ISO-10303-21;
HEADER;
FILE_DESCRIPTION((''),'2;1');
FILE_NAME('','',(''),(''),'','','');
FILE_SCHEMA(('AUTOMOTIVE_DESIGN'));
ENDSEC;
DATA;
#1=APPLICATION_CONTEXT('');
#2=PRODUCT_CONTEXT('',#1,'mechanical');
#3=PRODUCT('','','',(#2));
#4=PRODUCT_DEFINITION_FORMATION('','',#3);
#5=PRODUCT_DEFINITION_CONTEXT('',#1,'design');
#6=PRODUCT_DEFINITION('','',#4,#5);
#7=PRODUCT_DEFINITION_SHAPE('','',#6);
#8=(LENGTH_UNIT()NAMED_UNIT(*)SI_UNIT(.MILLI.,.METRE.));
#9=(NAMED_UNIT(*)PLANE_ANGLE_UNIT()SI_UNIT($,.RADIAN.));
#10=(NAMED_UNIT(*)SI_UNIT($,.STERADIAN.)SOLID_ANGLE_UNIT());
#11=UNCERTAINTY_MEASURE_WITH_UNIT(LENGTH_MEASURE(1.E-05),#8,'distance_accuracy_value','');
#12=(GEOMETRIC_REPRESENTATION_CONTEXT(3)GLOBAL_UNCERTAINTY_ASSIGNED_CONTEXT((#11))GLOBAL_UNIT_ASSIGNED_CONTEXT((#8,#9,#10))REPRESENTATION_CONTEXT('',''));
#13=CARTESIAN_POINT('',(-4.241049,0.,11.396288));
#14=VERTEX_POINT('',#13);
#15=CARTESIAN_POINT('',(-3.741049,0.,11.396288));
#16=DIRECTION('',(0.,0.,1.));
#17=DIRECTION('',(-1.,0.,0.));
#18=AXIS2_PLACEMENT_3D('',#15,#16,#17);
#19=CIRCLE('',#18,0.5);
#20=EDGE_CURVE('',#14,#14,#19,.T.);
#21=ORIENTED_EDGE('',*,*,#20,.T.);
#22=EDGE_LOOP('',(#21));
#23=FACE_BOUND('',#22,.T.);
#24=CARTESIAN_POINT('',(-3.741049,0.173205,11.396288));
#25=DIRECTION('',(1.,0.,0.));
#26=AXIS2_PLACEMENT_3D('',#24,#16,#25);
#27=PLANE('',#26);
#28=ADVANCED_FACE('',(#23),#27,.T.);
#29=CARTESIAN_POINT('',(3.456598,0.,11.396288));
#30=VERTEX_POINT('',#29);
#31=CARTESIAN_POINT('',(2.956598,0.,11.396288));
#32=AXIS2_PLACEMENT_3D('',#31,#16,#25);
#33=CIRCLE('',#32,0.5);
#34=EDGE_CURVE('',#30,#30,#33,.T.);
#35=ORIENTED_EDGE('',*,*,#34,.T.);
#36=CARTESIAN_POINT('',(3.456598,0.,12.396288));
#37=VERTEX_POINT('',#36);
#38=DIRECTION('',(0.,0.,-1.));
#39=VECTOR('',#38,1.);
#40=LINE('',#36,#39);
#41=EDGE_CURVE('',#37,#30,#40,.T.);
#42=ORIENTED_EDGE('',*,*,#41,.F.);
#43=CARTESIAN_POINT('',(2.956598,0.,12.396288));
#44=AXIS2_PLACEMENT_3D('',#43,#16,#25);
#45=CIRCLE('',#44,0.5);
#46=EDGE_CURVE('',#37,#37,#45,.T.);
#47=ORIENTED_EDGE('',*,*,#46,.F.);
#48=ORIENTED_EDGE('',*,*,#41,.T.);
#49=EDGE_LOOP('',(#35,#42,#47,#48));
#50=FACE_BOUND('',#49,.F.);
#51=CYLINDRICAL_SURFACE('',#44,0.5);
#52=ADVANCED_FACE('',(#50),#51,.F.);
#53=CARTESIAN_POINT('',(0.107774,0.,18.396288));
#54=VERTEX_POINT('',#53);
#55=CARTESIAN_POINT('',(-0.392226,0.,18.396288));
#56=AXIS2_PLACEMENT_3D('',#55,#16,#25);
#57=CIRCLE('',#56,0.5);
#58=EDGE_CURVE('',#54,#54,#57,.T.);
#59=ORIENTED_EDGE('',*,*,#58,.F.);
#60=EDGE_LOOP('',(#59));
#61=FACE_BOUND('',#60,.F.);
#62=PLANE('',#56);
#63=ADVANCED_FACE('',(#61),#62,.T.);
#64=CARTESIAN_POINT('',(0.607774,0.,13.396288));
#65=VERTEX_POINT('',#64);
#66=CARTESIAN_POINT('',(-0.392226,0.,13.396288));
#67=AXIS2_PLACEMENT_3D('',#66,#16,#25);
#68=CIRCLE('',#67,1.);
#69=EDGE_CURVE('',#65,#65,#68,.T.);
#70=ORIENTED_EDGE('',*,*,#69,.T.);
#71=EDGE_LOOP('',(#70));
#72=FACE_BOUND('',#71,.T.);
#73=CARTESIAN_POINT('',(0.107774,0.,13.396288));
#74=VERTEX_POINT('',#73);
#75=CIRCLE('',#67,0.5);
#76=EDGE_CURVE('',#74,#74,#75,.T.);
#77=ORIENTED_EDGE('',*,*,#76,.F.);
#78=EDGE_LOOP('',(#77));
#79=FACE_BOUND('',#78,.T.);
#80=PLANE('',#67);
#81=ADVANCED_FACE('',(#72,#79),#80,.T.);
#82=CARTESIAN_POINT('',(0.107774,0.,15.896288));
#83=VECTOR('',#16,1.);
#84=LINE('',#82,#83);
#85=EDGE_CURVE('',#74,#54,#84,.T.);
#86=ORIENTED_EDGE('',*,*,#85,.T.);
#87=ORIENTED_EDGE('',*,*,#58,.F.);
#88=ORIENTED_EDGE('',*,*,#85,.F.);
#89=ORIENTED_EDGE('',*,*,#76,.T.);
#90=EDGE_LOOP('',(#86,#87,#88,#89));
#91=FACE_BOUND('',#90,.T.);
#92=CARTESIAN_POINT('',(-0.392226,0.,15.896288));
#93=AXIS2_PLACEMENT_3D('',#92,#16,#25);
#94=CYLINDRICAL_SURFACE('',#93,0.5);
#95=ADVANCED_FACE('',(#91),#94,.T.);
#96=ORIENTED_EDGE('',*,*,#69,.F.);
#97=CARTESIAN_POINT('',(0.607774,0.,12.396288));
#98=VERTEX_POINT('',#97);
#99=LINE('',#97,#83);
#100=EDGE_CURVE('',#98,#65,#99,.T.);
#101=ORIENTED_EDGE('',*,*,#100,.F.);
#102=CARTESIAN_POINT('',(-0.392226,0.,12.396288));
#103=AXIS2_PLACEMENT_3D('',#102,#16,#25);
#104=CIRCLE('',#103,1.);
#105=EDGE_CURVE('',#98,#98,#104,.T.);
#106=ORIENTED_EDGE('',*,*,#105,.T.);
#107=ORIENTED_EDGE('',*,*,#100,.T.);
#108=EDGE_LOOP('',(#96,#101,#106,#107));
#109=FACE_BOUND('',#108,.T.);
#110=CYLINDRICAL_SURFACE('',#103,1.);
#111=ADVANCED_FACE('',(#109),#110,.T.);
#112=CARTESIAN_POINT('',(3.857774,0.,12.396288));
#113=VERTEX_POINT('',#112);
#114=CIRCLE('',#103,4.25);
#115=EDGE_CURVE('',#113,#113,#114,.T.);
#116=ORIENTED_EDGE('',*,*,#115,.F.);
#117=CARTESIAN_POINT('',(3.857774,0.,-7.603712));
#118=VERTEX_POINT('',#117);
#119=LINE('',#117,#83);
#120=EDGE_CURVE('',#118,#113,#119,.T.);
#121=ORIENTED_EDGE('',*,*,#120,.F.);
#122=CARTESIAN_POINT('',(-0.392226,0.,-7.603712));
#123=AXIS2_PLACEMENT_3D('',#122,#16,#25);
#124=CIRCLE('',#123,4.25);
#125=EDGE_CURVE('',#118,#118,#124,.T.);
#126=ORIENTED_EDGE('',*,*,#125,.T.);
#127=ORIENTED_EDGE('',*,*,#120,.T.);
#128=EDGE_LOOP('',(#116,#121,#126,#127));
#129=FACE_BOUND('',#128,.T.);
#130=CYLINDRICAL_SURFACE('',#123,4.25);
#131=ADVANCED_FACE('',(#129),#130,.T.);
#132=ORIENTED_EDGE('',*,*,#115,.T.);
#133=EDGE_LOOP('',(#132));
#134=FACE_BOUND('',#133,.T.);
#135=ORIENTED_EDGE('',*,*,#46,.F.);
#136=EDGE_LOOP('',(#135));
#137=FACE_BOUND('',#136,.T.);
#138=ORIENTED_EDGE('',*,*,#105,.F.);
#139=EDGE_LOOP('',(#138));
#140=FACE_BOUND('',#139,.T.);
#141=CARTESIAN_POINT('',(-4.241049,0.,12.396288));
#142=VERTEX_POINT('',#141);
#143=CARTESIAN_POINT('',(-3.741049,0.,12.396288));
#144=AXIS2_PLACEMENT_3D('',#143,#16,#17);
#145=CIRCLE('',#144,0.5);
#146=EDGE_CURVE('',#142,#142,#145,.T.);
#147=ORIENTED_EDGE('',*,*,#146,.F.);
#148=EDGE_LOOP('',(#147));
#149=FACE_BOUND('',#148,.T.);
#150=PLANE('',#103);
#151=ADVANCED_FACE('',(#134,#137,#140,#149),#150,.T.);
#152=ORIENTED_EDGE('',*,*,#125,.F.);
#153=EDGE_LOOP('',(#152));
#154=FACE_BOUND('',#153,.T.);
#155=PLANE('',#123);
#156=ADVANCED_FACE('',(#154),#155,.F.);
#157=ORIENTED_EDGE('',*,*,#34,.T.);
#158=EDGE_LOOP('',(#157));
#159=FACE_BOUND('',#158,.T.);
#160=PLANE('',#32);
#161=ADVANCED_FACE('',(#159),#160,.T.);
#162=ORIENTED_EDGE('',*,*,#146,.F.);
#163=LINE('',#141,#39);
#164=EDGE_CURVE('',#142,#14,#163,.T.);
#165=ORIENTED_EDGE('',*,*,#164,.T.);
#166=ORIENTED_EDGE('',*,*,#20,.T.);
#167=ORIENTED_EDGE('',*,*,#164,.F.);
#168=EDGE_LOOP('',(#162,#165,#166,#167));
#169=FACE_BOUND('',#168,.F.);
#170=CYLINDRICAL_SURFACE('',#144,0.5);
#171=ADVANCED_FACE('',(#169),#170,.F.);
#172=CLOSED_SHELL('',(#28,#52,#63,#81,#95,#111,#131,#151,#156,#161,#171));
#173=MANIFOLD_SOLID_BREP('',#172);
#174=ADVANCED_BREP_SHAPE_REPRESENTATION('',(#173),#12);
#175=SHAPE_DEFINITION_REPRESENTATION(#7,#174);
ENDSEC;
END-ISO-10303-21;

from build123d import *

# Parameters (mm, degrees)
F0_W     = 0.5
F0_H     = 5
F2_R     = 0.5
F3_DEPTH = 1


with BuildPart() as f1:
    # F0 (on Front) → F1 (revolve)
    with BuildSketch(Plane.XZ):
        Polygon((0.607774, 12.396288), (-0.392226, 12.396288), (-0.392226, -7.603712), (3.857774, -7.603712), (3.857774, 12.396288), align=None)
        Polygon((-0.392226, 13.396288), (-0.392226, 12.396288), (0.607774, 12.396288), (0.607774, 13.396288), (0.107774, 13.396288), align=None)
        with Locations((-0.142226, 15.896288)):
            Rectangle(F0_W, F0_H)
    revolve(axis=Axis((-0.392226, 0, 11.189216), (0, 0, 1)))

    # F2 (on face) → F3 (cut)
    with BuildSketch(Plane.XY.offset(12.396288)):
        with BuildLine():
            ThreePointArc((-3.241049, 0), (-3.741049, 0.5), (-4.241049, 0))
            Line((-4.241049, 0), (-3.241049, 0))
        make_face()
        with BuildLine():
            Line((-3.241049, 0), (-4.241049, 0))
            ThreePointArc((-4.241049, 0), (-3.741049, -0.5), (-3.241049, 0))
        make_face()
        with Locations((2.956598, 0)):
            Circle(F2_R)
    extrude(amount=-F3_DEPTH, mode=Mode.SUBTRACT)


solid = f1.part
